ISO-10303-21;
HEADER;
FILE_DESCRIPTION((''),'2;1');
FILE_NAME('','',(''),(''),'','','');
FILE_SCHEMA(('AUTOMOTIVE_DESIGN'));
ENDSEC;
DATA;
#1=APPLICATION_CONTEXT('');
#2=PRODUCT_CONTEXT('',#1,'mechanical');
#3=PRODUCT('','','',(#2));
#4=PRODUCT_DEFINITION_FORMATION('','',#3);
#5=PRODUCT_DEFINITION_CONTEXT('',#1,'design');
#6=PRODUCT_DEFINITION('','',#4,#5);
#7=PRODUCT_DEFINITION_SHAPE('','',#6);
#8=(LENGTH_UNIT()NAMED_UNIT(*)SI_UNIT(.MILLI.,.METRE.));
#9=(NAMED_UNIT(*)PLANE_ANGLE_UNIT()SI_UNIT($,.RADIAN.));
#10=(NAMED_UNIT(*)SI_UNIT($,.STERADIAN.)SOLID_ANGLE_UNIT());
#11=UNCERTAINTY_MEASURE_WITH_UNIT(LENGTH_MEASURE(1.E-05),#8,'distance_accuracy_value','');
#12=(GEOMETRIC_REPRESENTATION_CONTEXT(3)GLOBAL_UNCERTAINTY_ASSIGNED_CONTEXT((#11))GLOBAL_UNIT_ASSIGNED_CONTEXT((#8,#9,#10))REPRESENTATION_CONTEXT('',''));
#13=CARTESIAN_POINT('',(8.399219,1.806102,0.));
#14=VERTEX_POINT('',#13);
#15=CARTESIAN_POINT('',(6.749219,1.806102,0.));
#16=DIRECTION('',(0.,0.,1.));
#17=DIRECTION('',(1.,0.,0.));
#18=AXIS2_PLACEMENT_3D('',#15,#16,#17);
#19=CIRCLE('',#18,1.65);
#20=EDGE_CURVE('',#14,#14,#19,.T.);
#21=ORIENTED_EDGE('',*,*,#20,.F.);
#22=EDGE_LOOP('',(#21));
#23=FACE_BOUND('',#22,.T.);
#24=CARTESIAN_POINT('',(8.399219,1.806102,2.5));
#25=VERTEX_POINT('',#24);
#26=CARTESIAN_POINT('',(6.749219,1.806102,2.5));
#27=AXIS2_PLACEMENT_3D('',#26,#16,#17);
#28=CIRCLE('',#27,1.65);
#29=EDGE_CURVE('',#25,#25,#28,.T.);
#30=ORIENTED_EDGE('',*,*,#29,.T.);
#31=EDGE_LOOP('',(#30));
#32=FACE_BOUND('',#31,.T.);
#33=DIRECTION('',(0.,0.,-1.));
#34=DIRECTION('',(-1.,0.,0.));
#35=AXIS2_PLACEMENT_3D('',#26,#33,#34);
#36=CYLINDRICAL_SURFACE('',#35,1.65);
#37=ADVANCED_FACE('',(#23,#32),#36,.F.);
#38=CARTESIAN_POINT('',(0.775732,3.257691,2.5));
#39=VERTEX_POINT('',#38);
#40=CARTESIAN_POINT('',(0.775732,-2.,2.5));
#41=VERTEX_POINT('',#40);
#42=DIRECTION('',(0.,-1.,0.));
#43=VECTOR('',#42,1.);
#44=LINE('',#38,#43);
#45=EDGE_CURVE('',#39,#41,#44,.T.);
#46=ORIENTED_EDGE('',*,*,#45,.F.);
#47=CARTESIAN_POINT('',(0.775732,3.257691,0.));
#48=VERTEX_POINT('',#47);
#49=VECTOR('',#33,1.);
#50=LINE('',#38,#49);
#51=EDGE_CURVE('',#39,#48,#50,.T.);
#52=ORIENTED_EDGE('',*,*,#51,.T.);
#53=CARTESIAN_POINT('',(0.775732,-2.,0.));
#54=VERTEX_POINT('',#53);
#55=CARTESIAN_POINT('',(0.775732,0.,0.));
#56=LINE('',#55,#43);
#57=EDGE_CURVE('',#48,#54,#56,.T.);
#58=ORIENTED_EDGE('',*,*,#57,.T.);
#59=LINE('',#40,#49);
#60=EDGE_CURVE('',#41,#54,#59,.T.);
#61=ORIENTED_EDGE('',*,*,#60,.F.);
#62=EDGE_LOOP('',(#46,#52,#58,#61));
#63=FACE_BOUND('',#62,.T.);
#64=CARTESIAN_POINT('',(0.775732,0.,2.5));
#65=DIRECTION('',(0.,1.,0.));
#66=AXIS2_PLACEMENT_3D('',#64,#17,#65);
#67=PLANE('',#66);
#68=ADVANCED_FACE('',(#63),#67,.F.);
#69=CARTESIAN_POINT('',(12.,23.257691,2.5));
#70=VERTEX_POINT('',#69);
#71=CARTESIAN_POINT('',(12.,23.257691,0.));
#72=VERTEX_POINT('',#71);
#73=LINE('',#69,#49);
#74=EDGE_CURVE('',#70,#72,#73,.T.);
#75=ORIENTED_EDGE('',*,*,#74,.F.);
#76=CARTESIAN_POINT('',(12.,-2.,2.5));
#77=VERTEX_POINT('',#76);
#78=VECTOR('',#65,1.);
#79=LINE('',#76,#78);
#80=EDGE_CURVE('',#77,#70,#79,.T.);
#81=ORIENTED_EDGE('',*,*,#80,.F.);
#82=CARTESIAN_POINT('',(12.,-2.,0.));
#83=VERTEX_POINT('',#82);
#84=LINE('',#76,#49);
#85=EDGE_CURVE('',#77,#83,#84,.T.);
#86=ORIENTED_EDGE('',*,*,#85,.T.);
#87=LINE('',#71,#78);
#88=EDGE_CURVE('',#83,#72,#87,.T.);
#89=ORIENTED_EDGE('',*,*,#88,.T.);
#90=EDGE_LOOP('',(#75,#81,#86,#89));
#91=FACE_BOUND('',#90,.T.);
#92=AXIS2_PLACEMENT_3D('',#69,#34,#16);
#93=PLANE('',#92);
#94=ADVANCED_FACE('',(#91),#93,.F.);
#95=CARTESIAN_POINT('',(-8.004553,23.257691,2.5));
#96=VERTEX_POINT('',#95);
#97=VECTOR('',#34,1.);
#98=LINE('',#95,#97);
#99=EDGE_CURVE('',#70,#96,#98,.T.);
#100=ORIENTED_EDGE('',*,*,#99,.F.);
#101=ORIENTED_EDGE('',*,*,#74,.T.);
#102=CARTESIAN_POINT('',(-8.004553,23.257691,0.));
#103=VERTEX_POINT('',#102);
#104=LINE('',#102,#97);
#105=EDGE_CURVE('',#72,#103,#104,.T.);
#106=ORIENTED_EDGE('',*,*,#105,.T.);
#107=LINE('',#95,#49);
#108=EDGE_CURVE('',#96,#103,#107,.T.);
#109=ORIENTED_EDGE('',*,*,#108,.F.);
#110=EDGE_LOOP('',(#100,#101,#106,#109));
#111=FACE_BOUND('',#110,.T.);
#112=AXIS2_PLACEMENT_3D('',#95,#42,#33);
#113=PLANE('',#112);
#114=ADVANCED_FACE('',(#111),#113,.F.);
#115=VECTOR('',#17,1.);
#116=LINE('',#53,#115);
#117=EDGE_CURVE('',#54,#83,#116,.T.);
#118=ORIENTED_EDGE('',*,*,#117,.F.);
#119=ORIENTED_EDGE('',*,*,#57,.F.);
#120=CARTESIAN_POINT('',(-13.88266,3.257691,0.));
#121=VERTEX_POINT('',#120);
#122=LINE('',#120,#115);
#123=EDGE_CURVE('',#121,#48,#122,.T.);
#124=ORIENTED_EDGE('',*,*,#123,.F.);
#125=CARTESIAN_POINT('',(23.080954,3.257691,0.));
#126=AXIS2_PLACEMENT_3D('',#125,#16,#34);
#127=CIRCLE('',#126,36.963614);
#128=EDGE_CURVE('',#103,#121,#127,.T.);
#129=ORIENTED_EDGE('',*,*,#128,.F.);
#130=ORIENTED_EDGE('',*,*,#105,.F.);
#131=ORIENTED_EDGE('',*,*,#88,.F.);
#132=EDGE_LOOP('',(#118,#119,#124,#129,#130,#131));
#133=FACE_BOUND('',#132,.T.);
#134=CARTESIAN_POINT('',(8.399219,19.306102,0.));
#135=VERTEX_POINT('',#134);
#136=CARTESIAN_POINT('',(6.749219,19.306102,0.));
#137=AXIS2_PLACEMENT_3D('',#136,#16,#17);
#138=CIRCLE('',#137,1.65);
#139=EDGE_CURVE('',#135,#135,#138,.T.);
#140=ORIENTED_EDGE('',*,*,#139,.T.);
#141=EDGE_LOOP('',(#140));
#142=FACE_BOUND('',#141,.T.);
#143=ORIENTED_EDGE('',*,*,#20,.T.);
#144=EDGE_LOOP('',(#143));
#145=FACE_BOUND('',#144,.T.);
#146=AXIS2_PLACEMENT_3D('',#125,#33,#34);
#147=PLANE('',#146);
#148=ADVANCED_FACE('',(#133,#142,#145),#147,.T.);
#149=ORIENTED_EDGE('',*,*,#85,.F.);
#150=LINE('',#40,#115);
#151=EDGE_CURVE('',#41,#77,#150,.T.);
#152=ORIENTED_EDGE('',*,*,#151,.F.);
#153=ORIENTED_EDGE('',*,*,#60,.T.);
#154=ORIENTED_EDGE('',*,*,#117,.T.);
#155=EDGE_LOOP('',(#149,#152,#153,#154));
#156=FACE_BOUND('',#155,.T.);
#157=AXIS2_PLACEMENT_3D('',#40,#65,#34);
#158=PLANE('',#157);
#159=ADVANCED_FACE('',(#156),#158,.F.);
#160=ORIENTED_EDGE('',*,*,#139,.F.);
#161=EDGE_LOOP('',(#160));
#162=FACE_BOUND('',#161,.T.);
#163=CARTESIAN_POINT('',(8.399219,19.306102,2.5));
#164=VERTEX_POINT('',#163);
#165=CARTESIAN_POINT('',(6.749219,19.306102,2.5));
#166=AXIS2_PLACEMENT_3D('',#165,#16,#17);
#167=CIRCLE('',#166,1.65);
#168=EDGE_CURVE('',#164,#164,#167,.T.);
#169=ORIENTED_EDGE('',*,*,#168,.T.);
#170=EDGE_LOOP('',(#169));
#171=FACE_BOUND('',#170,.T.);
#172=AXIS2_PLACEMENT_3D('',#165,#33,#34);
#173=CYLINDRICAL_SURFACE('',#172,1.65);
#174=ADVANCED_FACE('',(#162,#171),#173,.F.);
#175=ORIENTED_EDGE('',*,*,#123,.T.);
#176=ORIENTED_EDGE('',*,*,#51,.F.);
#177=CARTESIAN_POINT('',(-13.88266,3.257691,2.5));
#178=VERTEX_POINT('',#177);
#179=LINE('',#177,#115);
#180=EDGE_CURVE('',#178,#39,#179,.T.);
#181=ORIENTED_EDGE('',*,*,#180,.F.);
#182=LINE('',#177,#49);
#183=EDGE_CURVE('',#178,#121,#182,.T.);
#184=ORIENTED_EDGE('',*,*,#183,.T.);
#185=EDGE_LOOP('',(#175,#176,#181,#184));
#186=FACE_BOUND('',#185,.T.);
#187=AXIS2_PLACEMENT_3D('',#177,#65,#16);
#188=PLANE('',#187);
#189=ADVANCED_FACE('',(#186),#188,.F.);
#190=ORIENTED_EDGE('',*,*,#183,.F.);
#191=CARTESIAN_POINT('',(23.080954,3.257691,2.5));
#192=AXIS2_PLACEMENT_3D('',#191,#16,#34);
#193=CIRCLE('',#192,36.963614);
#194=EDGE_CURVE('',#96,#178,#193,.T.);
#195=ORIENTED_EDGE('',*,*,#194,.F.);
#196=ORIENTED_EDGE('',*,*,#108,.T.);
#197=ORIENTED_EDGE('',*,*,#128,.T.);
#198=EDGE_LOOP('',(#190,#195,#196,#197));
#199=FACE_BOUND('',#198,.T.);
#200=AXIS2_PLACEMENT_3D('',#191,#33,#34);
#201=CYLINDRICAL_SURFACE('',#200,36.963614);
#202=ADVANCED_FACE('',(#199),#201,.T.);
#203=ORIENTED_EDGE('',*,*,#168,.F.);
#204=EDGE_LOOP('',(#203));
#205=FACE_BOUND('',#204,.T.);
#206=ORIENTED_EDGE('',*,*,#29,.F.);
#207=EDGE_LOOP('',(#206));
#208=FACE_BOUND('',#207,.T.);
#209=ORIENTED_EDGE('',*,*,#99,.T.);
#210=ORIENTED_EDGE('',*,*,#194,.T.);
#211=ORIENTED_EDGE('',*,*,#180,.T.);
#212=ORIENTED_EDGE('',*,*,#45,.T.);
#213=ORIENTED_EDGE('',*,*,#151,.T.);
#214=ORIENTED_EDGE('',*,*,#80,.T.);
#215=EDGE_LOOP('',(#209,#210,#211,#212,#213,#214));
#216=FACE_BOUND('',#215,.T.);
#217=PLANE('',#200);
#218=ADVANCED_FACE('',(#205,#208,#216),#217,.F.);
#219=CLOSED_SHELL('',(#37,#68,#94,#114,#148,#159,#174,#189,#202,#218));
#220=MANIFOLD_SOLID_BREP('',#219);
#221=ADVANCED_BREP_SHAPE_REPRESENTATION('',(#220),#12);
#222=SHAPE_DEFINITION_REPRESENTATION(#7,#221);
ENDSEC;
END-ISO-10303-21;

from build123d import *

# Parameters (mm, degrees)
SKETCH1_R           = 1.65
BOSS_EXTRUDE1_DEPTH = 2.5


with BuildPart() as part:
    # Sketch1 → Boss-Extrude1 (new body)
    with BuildSketch(Plane.XY):
        with BuildLine():
            Line((-8.004553297, 23.25769142), (12, 23.25769142))
            Line((12, 23.25769142), (12, 0))
            Line((12, 0), (12, -2))
            Line((12, -2), (0.775731814, -2))
            Line((0.775731814, -2), (0.775731814, 0))
            Line((0.775731814, 0), (0.775731814, 3.25769142))
            Line((0.775731814, 3.25769142), (-13.882660061, 3.25769142))
            ThreePointArc((-13.882660061, 3.25769142), (-12.382699641, 13.680648524), (-8.004553297, 23.25769142))
        make_face()
        with Locations((6.74921921, 19.306101501)):
            Circle(SKETCH1_R, mode=Mode.SUBTRACT)
        with Locations((6.74921921, 1.806101501)):
            Circle(SKETCH1_R, mode=Mode.SUBTRACT)
    extrude(amount=BOSS_EXTRUDE1_DEPTH)


solid = part.part
